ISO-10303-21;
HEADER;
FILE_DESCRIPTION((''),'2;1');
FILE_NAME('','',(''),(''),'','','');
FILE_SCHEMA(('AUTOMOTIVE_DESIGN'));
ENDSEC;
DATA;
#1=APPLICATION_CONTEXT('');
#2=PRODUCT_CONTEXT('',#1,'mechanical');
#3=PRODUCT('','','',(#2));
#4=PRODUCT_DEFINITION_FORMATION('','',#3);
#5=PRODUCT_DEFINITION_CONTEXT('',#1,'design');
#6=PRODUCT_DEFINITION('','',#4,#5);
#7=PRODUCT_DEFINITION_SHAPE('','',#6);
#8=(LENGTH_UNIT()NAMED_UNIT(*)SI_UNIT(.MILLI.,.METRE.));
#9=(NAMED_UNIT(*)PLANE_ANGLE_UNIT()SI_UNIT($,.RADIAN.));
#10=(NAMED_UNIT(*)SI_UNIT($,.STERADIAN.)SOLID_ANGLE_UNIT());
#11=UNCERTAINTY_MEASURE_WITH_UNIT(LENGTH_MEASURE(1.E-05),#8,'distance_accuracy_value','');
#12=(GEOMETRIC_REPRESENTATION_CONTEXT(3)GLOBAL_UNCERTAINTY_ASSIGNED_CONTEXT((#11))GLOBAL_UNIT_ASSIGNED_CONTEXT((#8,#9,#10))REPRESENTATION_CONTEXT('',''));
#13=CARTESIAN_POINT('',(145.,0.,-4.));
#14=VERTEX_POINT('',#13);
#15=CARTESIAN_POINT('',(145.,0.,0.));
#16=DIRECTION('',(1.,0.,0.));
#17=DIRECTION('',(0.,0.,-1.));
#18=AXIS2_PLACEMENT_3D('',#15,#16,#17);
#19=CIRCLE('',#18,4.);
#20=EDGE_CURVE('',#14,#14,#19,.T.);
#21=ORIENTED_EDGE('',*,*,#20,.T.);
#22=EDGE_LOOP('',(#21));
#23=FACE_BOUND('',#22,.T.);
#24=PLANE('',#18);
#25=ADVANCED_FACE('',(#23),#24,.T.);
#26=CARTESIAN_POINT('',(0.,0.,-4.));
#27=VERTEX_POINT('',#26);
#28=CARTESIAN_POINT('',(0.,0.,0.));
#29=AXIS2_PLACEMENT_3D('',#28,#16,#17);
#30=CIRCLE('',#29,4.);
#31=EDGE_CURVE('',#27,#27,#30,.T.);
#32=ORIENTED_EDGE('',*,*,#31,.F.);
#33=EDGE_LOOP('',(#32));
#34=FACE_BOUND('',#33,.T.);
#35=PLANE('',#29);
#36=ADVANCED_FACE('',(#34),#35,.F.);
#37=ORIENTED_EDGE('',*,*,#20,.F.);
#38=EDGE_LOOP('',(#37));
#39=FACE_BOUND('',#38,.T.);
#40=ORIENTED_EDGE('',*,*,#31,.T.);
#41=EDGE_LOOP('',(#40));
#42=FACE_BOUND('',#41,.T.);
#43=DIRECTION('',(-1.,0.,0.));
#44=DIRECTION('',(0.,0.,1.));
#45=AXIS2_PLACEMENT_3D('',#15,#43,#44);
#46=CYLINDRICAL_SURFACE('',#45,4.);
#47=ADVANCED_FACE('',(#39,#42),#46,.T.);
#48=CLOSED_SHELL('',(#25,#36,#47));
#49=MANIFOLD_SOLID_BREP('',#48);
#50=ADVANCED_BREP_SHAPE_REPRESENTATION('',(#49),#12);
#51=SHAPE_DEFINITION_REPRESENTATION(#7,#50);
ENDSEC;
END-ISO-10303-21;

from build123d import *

# Parameters (mm, degrees)
SKETCH_1_R      = 4
EXTRUDE_1_DEPTH = 145


with BuildPart() as part:
    # 草图1 → 凸台-拉伸1 (new body)
    with BuildSketch(Plane(origin=(0, 0, 0), x_dir=(0, 0, -1), z_dir=(1, 0, 0))):
        Circle(SKETCH_1_R)
    extrude(amount=EXTRUDE_1_DEPTH)


solid = part.part
